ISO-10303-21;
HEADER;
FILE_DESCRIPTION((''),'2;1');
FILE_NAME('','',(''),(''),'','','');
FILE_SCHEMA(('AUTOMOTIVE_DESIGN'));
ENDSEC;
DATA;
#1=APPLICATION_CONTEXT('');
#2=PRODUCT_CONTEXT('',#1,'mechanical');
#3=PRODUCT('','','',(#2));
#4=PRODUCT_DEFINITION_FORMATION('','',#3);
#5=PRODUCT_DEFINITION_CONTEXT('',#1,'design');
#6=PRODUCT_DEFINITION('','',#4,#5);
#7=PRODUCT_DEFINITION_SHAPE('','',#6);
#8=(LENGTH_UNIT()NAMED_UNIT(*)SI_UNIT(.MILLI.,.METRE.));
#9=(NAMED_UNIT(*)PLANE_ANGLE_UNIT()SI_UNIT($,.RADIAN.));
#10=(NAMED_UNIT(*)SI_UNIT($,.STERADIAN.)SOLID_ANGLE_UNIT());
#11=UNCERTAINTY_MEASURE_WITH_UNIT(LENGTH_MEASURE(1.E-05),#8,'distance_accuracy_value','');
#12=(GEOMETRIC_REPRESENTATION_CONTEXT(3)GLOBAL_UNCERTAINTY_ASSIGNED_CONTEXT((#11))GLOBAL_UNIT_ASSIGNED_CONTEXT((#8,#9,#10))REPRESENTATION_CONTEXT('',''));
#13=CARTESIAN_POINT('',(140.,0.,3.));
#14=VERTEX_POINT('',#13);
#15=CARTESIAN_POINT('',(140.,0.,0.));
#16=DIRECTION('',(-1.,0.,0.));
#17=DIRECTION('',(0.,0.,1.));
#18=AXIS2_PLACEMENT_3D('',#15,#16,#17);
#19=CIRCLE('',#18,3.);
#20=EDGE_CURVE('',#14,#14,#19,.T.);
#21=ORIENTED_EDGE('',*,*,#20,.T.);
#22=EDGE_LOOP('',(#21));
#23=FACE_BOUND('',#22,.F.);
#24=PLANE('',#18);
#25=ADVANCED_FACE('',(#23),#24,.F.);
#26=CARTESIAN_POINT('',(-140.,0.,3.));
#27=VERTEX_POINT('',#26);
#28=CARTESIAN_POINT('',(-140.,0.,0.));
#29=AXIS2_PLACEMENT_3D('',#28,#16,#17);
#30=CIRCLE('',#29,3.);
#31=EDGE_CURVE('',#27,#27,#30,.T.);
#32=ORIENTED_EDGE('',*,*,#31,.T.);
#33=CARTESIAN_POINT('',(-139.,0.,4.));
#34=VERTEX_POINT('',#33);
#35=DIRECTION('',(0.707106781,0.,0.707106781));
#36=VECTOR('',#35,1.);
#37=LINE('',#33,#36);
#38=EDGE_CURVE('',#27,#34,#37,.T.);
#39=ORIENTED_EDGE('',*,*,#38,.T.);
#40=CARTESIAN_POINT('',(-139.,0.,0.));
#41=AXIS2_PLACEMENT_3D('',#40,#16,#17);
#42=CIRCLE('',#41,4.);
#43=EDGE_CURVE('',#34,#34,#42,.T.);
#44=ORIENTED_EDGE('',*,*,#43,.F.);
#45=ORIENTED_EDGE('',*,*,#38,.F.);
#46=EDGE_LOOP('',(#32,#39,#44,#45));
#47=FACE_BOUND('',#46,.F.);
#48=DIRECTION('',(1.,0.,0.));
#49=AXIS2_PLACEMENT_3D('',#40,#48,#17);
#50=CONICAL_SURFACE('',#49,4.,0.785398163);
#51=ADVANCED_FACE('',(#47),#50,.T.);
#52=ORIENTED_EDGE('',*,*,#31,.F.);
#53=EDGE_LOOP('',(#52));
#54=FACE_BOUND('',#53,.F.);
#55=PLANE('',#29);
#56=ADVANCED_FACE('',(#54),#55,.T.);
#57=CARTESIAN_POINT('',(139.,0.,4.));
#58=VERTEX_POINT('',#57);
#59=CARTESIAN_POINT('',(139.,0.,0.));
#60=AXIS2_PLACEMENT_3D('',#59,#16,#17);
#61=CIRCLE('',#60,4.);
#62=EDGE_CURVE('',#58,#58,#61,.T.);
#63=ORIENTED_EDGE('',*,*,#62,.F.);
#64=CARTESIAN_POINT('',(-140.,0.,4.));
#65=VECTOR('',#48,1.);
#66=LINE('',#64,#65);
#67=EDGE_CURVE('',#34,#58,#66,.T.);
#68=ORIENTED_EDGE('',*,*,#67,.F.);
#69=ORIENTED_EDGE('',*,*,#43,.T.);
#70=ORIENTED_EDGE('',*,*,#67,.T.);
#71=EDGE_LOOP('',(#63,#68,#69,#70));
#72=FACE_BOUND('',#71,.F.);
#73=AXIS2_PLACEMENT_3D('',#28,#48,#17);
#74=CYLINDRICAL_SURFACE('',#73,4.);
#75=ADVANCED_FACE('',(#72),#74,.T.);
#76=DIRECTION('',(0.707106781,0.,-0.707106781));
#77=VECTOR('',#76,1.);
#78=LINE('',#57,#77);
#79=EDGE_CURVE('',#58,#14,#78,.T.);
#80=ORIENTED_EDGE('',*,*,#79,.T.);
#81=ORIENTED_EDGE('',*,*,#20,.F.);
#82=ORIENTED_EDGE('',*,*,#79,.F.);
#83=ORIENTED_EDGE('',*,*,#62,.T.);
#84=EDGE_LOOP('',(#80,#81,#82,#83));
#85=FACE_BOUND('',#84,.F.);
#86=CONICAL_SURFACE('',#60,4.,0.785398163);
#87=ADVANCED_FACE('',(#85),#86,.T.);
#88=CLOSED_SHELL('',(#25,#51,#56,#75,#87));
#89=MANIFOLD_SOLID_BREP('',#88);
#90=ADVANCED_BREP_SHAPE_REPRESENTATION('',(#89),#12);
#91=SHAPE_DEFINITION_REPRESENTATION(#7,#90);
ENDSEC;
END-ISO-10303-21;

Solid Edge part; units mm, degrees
sketch "Sketch1" plane through (0, 0, 0) normal (0, -1, 0) x (1, 0, 0)
  line L0 (-140, 0) -> (-140, 4)
  line L1 (-140, 4) -> (140, 4)
  line L2 (140, 4) -> (140, 0)
  dimension "D1" = 280
revolve "RevolvedProtrusion1" add sketch "Sketch1" angle 360 about axis through (50, 0, 0) along (-1, 0, 0)
chamfer "Chamfer1" distance 1 angle 45 2 edges at (140, 0, -4) (-140, 0, -4)
cosmetic_thread "Thread1" size "Tr 8 x 2"
properties material "Stainless steel"
